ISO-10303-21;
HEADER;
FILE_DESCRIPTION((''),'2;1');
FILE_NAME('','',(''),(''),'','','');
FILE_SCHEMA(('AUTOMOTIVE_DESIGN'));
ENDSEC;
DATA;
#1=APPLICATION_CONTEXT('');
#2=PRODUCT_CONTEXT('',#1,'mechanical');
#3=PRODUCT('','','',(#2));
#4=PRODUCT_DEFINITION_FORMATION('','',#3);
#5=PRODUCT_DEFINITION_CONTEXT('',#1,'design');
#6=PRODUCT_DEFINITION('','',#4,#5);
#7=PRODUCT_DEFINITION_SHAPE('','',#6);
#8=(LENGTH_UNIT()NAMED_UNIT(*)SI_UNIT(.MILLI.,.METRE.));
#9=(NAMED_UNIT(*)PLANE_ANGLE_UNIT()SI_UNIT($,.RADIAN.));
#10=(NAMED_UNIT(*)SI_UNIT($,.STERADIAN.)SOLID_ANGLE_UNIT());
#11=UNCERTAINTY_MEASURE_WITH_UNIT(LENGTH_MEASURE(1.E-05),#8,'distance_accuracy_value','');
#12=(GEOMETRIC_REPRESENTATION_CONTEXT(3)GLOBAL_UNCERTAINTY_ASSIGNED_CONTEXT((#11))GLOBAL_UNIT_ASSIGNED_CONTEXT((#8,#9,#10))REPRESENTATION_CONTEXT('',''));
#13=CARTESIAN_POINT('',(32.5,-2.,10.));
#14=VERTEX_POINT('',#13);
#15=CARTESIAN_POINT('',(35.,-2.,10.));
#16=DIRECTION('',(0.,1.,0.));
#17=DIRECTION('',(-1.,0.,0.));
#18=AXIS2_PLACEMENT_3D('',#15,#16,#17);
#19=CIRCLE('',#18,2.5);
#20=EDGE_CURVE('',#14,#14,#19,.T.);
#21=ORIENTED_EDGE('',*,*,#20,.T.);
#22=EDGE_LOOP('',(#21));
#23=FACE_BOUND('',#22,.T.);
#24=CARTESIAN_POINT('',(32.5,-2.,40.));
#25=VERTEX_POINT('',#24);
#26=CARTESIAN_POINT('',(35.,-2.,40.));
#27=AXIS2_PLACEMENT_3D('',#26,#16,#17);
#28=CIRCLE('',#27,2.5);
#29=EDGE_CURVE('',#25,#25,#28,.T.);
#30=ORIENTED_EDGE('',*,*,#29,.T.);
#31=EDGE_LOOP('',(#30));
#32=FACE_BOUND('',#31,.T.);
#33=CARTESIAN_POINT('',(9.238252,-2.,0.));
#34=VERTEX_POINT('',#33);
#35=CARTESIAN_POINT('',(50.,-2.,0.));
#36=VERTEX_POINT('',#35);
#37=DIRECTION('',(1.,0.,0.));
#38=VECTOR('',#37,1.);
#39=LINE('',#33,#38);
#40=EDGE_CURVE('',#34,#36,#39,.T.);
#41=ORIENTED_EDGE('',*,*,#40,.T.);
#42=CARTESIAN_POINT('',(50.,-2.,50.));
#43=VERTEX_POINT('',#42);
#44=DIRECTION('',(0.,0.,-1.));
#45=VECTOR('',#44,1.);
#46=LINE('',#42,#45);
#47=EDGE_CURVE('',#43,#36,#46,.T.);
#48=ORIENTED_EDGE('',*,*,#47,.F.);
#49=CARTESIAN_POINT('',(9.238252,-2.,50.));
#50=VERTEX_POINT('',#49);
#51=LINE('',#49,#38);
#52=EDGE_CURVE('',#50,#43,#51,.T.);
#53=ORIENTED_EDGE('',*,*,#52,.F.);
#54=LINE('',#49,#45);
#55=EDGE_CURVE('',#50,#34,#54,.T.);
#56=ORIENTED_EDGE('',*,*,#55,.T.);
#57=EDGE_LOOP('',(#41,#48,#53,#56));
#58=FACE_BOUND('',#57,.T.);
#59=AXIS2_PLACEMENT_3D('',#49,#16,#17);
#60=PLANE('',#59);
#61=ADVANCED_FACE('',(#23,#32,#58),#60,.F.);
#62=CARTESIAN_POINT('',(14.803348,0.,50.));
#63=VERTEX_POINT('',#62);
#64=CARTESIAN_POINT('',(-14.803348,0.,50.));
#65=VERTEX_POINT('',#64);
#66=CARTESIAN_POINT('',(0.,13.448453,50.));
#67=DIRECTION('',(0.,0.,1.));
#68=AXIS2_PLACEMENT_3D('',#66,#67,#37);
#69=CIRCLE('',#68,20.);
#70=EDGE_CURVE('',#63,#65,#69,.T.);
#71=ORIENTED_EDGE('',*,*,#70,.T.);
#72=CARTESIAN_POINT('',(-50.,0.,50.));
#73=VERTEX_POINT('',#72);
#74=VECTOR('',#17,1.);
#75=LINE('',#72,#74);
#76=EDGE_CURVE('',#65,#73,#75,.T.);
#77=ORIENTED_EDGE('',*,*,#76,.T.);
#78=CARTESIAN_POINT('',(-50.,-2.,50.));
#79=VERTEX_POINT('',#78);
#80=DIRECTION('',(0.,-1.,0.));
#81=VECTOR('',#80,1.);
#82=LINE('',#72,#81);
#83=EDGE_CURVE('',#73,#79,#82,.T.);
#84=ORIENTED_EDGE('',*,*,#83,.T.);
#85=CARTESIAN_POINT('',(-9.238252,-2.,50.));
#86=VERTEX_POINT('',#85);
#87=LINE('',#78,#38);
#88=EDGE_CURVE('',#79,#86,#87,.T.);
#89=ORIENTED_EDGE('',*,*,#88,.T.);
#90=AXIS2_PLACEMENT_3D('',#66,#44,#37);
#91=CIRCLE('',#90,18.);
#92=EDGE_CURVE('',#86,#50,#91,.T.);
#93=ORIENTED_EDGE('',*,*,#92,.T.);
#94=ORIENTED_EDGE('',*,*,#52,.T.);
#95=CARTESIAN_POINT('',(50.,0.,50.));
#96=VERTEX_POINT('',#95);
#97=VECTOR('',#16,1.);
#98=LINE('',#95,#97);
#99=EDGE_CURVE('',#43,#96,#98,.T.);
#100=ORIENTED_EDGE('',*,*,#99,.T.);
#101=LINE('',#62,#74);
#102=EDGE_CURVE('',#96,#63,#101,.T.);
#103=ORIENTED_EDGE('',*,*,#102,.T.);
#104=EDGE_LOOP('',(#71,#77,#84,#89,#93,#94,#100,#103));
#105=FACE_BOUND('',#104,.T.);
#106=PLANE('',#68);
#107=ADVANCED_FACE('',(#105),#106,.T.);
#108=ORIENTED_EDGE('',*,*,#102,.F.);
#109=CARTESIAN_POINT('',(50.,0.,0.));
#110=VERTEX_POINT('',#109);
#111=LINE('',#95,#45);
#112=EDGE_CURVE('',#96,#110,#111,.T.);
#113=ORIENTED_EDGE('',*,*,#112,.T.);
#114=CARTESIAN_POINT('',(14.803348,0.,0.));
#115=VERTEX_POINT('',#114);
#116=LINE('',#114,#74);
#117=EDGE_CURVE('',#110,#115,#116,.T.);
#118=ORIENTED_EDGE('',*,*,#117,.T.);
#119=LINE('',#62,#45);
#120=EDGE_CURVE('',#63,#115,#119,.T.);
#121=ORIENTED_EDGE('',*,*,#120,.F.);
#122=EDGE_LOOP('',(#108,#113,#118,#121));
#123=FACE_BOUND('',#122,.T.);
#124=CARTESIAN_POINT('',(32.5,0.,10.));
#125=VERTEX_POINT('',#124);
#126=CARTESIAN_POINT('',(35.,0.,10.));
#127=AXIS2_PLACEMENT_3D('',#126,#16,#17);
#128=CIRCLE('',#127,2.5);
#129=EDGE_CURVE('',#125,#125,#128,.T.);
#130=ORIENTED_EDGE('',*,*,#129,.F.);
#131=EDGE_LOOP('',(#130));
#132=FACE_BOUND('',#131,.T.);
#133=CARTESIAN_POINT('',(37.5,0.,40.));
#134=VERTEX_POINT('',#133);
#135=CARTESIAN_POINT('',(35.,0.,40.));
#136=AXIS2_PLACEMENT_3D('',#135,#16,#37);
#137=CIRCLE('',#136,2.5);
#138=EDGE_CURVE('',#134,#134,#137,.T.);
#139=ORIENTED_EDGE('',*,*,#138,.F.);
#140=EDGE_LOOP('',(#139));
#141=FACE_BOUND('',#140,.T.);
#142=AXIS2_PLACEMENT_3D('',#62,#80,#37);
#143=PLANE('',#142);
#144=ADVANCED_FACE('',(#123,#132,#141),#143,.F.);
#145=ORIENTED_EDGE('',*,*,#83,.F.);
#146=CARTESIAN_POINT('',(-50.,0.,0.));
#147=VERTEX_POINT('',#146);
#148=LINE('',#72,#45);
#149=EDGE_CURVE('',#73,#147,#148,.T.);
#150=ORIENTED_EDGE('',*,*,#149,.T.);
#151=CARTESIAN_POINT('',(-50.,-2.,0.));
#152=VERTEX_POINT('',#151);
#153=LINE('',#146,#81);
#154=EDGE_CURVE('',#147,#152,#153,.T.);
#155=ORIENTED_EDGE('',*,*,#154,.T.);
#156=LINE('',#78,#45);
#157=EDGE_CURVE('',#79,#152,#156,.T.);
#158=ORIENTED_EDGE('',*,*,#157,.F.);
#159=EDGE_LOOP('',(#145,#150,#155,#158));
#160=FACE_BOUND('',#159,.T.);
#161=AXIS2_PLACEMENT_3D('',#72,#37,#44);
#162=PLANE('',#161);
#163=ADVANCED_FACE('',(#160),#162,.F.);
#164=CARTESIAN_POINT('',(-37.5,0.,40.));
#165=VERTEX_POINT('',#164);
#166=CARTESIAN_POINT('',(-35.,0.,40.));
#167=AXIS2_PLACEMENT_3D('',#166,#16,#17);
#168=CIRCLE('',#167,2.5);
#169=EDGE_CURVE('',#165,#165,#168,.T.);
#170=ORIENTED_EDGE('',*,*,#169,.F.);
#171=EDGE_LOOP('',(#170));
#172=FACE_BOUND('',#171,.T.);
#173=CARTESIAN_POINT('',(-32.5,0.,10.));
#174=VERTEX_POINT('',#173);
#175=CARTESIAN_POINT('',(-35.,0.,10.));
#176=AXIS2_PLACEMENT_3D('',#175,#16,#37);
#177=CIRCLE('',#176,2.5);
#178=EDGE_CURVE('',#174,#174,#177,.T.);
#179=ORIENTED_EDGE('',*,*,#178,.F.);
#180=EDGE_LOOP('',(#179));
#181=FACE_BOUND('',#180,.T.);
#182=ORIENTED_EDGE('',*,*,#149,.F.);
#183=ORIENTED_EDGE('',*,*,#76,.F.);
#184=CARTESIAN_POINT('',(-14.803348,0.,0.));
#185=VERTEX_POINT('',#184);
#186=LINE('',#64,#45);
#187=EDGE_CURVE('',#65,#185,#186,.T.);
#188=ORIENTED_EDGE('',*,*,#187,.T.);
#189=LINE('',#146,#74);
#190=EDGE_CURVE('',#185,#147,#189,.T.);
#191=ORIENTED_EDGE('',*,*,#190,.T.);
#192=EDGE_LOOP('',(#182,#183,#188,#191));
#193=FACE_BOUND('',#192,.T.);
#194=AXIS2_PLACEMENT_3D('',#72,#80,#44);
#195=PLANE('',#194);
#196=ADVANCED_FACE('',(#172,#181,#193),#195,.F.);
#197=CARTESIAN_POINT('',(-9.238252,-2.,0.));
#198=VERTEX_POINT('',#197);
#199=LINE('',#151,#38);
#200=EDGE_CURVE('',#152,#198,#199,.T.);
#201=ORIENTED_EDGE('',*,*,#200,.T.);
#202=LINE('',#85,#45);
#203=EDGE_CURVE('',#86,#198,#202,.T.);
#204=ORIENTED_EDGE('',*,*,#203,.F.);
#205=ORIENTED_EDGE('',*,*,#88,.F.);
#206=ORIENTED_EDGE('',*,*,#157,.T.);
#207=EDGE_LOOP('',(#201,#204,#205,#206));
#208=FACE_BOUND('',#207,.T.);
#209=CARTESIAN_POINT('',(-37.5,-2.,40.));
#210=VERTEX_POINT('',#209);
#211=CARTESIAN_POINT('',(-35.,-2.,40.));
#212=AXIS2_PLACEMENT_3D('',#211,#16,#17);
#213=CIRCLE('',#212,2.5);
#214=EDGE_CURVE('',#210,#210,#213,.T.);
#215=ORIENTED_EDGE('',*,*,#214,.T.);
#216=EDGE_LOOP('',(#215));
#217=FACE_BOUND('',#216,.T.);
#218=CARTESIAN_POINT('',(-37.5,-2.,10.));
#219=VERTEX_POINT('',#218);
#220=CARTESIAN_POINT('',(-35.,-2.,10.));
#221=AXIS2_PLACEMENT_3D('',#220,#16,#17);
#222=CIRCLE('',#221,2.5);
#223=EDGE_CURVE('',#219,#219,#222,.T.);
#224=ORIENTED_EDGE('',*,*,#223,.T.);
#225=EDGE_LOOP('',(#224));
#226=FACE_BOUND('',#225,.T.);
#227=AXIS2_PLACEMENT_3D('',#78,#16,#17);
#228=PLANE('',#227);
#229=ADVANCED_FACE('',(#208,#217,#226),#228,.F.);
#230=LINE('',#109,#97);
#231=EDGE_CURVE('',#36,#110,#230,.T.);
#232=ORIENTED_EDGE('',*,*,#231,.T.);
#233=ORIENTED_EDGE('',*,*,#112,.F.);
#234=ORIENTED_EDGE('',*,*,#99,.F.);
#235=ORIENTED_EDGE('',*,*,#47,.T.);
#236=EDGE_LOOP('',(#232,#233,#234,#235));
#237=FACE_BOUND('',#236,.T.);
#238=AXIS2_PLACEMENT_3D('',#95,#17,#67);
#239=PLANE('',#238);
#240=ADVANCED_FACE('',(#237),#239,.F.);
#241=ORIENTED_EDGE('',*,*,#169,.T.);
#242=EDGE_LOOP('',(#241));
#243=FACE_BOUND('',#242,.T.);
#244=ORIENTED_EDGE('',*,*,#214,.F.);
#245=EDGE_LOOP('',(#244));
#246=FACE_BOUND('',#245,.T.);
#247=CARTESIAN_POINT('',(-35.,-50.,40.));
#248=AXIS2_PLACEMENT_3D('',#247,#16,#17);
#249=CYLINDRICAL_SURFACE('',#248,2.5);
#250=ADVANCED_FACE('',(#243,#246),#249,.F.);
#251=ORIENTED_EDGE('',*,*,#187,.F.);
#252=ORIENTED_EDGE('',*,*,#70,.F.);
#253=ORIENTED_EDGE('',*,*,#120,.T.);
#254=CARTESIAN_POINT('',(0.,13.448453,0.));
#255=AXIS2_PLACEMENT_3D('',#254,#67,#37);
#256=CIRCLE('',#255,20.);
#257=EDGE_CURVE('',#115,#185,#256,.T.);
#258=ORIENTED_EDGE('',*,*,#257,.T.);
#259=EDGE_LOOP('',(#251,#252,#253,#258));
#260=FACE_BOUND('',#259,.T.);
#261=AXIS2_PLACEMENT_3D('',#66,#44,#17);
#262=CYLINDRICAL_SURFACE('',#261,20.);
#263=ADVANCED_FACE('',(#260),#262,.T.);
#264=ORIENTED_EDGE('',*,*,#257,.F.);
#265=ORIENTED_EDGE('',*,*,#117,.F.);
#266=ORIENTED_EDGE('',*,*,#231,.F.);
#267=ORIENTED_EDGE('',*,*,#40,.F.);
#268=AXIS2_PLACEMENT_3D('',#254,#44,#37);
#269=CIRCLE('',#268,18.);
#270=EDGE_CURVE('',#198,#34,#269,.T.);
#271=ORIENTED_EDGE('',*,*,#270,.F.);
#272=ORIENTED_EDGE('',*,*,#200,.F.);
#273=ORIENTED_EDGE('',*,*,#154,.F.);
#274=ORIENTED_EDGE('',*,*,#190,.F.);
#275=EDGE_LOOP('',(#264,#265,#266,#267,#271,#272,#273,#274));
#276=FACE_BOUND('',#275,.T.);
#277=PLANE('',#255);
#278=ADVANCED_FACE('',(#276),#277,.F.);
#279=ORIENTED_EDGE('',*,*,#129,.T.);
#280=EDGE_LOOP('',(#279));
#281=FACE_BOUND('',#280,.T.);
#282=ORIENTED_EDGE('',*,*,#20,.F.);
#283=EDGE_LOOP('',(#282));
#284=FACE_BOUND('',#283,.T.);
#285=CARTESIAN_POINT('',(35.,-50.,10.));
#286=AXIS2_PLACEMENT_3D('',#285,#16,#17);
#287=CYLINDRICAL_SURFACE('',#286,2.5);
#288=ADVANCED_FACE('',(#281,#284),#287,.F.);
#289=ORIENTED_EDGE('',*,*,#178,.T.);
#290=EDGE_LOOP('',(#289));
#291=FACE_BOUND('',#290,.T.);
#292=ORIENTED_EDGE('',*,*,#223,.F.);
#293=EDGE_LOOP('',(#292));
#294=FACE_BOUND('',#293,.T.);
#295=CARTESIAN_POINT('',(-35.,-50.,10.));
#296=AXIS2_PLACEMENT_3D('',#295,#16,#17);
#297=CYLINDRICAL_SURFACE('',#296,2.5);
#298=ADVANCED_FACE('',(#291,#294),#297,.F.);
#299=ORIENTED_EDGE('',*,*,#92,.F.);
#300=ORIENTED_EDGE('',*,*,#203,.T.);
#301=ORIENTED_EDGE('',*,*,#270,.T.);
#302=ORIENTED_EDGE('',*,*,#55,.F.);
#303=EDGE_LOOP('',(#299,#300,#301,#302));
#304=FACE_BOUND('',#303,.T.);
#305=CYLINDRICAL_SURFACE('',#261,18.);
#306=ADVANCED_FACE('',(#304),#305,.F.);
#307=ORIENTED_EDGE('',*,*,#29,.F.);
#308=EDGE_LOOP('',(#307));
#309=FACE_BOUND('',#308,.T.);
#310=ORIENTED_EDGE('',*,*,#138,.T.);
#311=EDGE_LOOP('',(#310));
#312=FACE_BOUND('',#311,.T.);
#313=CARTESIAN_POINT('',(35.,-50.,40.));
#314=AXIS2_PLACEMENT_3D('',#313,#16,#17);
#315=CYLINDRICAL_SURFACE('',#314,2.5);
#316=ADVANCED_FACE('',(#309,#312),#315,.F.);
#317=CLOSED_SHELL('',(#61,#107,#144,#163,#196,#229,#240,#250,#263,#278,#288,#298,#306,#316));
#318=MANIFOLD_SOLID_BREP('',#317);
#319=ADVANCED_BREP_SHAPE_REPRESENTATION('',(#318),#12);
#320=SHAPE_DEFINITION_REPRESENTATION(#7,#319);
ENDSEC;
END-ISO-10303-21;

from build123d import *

# Parameters (mm, degrees)
BOSS_EXTRUDE2_DEPTH = 50
SKETCH3_R           = 2.5
CUT_EXTRUDE2_DEPTH  = 50


with BuildPart() as part:
    # Sketch1 → Boss-Extrude2 (new body)
    with BuildSketch(Plane.XY):
        with BuildLine():
            Line((-50, 0), (-14.803348106, 0))
            ThreePointArc((-14.803348106, 0), (0, 33.448452879), (14.803348106, 0))
            Line((14.803348106, 0), (50, 0))
            Line((50, 0), (50, -2))
            Line((50, -2), (9.238252196, -2))
            ThreePointArc((9.238252196, -2), (0, 31.448452879), (-9.238252196, -2))
            Line((-9.238252196, -2), (-50, -2))
            Line((-50, -2), (-50, 0))
        make_face()
    extrude(amount=BOSS_EXTRUDE2_DEPTH)

    # Sketch3 → Cut-Extrude2 (cut)
    with BuildSketch(Plane(origin=(0, 0, 0), x_dir=(1, 0, 0), z_dir=(0, 1, 0))):
        with Locations((35, -10)):
            Circle(SKETCH3_R)
        with Locations((35, -40)):
            Circle(SKETCH3_R)
        with Locations((-35, -40)):
            Circle(SKETCH3_R)
        with Locations((-35, -10)):
            Circle(SKETCH3_R)
    extrude(amount=-CUT_EXTRUDE2_DEPTH, mode=Mode.SUBTRACT)


solid = part.part
